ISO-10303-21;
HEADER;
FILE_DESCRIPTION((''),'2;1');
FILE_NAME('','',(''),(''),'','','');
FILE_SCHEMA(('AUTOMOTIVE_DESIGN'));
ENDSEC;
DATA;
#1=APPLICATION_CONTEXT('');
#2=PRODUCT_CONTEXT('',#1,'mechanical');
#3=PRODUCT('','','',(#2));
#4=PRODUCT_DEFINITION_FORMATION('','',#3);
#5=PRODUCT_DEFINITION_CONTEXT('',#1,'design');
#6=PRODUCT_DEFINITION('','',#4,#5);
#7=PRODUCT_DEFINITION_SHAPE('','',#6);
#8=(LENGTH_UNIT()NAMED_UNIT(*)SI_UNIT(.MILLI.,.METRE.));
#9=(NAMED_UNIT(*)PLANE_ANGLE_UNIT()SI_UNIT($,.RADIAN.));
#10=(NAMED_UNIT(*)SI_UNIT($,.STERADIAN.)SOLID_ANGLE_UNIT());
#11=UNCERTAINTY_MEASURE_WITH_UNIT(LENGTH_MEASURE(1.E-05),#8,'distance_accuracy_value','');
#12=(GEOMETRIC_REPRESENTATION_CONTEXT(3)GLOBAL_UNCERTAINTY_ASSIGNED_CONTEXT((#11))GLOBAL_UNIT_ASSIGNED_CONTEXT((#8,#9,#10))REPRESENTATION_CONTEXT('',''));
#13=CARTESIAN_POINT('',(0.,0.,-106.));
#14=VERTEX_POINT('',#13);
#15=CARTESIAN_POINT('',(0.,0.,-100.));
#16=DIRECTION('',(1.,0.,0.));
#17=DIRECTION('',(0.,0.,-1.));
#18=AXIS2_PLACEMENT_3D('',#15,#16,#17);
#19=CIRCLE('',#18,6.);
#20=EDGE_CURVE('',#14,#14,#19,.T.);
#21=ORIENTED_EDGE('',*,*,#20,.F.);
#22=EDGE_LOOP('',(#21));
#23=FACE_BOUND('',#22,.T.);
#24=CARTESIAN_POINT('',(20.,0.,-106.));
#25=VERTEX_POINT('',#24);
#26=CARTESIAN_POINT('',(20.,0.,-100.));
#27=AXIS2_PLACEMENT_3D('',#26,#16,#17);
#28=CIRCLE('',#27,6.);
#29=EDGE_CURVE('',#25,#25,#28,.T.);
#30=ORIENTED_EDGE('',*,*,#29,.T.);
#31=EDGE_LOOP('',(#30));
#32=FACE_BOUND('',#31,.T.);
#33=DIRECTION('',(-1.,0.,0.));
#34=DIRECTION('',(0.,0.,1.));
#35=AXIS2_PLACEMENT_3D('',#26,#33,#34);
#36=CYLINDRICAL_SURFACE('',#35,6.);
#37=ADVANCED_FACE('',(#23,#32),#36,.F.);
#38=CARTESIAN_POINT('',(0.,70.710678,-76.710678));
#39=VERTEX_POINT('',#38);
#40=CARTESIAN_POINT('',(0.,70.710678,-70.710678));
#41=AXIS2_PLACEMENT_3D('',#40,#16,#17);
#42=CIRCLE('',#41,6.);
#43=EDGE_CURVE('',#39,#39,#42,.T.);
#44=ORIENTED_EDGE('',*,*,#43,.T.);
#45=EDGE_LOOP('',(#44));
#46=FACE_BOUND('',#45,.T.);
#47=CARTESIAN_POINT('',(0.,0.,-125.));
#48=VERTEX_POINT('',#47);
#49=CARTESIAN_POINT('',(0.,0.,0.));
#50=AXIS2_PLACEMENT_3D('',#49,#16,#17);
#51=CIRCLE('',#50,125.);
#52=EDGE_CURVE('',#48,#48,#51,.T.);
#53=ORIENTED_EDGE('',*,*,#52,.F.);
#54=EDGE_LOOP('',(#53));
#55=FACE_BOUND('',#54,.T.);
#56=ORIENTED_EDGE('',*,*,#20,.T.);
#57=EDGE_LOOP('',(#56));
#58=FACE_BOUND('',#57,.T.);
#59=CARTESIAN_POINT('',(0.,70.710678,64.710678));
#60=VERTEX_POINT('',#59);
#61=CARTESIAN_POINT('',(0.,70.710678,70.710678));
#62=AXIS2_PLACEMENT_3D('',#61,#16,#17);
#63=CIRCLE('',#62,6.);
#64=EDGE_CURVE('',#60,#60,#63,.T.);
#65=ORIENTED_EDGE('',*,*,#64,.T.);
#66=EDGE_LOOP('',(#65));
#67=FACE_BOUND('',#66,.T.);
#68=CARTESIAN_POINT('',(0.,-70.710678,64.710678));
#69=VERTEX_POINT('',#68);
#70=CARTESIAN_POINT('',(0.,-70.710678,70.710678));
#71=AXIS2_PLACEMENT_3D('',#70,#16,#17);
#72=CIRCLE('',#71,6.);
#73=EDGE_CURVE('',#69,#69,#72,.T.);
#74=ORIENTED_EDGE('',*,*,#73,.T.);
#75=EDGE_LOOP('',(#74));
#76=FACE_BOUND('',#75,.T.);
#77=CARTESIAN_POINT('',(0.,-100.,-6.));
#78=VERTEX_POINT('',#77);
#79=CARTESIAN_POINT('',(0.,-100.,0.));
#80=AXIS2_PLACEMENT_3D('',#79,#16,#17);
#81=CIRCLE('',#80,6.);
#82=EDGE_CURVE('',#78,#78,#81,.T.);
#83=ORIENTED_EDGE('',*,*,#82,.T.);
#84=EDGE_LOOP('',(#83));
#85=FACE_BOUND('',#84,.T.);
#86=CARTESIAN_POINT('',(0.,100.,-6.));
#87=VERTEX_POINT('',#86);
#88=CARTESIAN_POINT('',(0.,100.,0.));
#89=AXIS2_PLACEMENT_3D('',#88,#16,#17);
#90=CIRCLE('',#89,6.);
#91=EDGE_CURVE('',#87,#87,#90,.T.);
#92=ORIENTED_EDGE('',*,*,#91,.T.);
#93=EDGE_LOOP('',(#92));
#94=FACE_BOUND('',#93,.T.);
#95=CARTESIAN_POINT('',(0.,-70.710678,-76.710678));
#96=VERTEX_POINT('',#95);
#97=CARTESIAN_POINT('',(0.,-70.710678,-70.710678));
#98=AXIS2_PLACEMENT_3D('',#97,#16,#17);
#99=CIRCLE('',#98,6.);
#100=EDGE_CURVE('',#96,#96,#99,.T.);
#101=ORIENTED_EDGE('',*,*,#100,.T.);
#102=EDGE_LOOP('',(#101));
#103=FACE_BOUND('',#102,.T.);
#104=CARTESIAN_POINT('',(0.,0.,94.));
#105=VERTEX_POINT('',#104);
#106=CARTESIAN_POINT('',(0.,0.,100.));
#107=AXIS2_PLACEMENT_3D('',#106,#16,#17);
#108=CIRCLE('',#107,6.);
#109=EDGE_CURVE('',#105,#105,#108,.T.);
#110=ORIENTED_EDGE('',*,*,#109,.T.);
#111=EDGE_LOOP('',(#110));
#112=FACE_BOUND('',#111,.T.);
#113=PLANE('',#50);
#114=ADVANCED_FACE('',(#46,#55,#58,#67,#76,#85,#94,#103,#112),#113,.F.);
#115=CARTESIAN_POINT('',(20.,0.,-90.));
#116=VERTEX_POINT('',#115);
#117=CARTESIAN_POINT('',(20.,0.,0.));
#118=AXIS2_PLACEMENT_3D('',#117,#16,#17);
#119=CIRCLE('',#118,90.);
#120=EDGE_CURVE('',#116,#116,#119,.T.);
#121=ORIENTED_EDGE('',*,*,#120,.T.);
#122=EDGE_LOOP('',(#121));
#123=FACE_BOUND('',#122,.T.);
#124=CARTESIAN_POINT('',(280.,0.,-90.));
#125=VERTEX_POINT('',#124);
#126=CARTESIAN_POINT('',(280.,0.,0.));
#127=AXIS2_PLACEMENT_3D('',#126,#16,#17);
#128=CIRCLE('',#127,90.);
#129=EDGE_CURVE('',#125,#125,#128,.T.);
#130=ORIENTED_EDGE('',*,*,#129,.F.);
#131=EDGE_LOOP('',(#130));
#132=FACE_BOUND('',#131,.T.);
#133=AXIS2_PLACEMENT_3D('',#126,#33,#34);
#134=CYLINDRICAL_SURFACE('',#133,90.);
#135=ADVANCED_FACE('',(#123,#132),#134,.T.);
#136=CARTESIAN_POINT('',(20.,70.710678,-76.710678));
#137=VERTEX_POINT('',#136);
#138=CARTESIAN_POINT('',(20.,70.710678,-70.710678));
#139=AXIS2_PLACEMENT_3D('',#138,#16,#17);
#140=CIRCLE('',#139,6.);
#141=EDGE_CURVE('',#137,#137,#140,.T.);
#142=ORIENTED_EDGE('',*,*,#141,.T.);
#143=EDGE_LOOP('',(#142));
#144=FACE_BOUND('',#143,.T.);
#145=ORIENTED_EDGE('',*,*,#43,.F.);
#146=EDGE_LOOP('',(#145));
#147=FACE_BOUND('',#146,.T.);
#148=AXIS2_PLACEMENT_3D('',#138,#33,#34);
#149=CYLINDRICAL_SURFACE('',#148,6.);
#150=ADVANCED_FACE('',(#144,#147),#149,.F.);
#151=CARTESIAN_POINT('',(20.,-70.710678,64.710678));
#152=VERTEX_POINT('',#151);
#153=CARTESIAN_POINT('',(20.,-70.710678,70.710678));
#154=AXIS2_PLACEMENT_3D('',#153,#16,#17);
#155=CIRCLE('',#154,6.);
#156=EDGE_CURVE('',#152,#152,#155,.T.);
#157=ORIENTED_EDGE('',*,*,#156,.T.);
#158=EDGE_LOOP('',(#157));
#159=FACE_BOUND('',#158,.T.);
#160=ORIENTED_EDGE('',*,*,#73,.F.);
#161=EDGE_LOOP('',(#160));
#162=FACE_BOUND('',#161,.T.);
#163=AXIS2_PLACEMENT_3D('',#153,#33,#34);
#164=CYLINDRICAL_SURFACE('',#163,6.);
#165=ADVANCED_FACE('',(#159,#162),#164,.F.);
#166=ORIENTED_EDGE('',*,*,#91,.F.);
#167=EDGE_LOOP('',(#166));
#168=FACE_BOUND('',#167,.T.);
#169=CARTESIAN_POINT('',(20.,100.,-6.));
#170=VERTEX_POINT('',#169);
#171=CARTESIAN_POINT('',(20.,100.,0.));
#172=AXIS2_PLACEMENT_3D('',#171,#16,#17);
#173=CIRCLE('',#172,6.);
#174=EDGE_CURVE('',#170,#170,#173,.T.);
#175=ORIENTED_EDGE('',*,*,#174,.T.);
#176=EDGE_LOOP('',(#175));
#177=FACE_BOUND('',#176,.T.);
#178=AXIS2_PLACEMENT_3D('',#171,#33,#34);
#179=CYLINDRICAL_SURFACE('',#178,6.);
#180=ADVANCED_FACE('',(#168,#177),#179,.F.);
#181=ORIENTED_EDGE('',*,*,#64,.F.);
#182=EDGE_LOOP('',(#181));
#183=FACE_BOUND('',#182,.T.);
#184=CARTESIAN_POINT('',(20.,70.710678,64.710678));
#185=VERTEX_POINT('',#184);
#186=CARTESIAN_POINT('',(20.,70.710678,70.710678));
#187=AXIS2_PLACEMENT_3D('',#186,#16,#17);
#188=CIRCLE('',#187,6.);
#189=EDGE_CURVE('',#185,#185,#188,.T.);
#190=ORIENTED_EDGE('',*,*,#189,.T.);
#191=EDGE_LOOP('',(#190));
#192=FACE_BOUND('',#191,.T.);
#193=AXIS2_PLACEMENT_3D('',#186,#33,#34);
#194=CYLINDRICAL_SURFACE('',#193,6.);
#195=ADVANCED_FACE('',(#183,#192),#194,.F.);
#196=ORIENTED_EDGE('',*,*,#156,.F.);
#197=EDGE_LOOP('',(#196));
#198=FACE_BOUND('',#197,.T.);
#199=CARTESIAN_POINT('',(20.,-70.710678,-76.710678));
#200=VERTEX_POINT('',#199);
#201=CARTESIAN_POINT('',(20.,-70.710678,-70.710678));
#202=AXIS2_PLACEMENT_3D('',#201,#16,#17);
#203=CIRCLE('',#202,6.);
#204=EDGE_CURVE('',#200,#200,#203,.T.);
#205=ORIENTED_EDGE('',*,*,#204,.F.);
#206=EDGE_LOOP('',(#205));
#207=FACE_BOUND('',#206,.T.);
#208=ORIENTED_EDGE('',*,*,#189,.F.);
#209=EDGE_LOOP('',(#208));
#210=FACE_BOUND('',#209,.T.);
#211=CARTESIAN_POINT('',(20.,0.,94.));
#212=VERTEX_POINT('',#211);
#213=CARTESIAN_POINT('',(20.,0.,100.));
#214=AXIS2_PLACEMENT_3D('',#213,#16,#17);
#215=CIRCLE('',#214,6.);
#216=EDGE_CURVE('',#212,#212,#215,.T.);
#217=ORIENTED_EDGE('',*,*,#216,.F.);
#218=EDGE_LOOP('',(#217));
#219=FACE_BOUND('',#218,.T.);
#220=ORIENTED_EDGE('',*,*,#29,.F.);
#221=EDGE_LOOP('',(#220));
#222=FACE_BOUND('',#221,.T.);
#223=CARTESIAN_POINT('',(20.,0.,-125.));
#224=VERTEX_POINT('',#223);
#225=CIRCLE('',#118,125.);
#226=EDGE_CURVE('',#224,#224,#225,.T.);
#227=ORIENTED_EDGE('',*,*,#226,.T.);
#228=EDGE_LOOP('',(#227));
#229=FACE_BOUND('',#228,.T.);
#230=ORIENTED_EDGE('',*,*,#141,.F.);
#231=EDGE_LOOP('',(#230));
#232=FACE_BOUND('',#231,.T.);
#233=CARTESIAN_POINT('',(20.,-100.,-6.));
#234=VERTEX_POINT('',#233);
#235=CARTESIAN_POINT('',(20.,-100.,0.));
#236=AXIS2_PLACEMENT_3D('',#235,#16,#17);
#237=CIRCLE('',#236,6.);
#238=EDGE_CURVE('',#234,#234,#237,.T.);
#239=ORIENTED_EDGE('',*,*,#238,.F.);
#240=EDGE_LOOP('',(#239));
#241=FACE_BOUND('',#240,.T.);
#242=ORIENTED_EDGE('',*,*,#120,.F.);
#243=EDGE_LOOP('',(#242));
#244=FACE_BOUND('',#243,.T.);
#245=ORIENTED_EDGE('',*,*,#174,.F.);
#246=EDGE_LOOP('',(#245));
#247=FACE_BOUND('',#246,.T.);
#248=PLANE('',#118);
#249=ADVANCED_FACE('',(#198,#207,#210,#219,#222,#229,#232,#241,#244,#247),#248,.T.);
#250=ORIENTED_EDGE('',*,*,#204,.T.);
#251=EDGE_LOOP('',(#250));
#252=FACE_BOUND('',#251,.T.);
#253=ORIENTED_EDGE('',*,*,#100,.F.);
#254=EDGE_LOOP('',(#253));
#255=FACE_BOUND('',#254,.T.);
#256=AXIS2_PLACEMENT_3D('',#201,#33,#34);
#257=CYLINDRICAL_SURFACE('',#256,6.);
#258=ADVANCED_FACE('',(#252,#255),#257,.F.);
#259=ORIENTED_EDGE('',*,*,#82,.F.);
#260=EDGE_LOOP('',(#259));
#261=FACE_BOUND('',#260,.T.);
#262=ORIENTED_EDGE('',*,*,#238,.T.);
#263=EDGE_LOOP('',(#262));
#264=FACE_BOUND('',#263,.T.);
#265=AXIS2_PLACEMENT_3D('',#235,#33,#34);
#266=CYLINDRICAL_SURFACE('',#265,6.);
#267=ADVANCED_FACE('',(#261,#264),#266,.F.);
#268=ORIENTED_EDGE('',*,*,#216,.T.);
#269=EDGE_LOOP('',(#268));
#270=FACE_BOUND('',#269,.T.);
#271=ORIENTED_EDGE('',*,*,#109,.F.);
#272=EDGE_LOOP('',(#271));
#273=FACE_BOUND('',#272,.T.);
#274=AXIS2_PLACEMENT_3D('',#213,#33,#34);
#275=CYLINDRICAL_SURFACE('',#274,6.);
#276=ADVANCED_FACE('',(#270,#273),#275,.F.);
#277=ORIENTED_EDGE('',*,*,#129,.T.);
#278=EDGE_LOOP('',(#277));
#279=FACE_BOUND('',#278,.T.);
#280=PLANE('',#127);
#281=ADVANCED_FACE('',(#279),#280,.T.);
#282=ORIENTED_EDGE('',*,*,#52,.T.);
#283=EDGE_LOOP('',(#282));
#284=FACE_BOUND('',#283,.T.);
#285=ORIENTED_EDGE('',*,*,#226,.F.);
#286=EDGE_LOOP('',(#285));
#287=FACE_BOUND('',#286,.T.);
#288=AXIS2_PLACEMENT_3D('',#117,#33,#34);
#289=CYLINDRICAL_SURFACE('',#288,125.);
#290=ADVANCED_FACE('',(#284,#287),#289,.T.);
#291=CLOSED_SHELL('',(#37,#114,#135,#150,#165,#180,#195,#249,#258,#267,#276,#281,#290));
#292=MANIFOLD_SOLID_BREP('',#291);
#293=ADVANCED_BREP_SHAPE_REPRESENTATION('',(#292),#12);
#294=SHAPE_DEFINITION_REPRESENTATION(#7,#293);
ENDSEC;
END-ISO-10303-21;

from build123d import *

# Parameters (mm, degrees)
CROQUIS1_R              = 125
CROQUIS1_R_2            = 6
SALIENTE_EXTRUIR1_DEPTH = 20
CROQUIS2_R              = 90
SALIENTE_EXTRUIR2_DEPTH = 260


with BuildPart() as part:
    # Croquis1 → Saliente-Extruir1 (new body)
    with BuildSketch(Plane(origin=(0, 0, 0), x_dir=(0, 0, -1), z_dir=(1, 0, 0))):
        Circle(CROQUIS1_R)
        with Locations((0, -100)):
            Circle(CROQUIS1_R_2, mode=Mode.SUBTRACT)
        with Locations((-70.710678119, -70.710678119)):
            Circle(CROQUIS1_R_2, mode=Mode.SUBTRACT)
        with Locations((-100, 0)):
            Circle(CROQUIS1_R_2, mode=Mode.SUBTRACT)
        with Locations((-70.710678119, 70.710678119)):
            Circle(CROQUIS1_R_2, mode=Mode.SUBTRACT)
        with Locations((0, 100)):
            Circle(CROQUIS1_R_2, mode=Mode.SUBTRACT)
        with Locations((70.710678119, 70.710678119)):
            Circle(CROQUIS1_R_2, mode=Mode.SUBTRACT)
        with Locations((100, 0)):
            Circle(CROQUIS1_R_2, mode=Mode.SUBTRACT)
        with Locations((70.710678119, -70.710678119)):
            Circle(CROQUIS1_R_2, mode=Mode.SUBTRACT)
    extrude(amount=SALIENTE_EXTRUIR1_DEPTH)

    # Croquis2 → Saliente-Extruir2 (add)
    with BuildSketch(Plane(origin=(20, 0, 0), x_dir=(0, 0, -1), z_dir=(1, 0, 0))):
        Circle(CROQUIS2_R)
    extrude(amount=SALIENTE_EXTRUIR2_DEPTH)


solid = part.part
